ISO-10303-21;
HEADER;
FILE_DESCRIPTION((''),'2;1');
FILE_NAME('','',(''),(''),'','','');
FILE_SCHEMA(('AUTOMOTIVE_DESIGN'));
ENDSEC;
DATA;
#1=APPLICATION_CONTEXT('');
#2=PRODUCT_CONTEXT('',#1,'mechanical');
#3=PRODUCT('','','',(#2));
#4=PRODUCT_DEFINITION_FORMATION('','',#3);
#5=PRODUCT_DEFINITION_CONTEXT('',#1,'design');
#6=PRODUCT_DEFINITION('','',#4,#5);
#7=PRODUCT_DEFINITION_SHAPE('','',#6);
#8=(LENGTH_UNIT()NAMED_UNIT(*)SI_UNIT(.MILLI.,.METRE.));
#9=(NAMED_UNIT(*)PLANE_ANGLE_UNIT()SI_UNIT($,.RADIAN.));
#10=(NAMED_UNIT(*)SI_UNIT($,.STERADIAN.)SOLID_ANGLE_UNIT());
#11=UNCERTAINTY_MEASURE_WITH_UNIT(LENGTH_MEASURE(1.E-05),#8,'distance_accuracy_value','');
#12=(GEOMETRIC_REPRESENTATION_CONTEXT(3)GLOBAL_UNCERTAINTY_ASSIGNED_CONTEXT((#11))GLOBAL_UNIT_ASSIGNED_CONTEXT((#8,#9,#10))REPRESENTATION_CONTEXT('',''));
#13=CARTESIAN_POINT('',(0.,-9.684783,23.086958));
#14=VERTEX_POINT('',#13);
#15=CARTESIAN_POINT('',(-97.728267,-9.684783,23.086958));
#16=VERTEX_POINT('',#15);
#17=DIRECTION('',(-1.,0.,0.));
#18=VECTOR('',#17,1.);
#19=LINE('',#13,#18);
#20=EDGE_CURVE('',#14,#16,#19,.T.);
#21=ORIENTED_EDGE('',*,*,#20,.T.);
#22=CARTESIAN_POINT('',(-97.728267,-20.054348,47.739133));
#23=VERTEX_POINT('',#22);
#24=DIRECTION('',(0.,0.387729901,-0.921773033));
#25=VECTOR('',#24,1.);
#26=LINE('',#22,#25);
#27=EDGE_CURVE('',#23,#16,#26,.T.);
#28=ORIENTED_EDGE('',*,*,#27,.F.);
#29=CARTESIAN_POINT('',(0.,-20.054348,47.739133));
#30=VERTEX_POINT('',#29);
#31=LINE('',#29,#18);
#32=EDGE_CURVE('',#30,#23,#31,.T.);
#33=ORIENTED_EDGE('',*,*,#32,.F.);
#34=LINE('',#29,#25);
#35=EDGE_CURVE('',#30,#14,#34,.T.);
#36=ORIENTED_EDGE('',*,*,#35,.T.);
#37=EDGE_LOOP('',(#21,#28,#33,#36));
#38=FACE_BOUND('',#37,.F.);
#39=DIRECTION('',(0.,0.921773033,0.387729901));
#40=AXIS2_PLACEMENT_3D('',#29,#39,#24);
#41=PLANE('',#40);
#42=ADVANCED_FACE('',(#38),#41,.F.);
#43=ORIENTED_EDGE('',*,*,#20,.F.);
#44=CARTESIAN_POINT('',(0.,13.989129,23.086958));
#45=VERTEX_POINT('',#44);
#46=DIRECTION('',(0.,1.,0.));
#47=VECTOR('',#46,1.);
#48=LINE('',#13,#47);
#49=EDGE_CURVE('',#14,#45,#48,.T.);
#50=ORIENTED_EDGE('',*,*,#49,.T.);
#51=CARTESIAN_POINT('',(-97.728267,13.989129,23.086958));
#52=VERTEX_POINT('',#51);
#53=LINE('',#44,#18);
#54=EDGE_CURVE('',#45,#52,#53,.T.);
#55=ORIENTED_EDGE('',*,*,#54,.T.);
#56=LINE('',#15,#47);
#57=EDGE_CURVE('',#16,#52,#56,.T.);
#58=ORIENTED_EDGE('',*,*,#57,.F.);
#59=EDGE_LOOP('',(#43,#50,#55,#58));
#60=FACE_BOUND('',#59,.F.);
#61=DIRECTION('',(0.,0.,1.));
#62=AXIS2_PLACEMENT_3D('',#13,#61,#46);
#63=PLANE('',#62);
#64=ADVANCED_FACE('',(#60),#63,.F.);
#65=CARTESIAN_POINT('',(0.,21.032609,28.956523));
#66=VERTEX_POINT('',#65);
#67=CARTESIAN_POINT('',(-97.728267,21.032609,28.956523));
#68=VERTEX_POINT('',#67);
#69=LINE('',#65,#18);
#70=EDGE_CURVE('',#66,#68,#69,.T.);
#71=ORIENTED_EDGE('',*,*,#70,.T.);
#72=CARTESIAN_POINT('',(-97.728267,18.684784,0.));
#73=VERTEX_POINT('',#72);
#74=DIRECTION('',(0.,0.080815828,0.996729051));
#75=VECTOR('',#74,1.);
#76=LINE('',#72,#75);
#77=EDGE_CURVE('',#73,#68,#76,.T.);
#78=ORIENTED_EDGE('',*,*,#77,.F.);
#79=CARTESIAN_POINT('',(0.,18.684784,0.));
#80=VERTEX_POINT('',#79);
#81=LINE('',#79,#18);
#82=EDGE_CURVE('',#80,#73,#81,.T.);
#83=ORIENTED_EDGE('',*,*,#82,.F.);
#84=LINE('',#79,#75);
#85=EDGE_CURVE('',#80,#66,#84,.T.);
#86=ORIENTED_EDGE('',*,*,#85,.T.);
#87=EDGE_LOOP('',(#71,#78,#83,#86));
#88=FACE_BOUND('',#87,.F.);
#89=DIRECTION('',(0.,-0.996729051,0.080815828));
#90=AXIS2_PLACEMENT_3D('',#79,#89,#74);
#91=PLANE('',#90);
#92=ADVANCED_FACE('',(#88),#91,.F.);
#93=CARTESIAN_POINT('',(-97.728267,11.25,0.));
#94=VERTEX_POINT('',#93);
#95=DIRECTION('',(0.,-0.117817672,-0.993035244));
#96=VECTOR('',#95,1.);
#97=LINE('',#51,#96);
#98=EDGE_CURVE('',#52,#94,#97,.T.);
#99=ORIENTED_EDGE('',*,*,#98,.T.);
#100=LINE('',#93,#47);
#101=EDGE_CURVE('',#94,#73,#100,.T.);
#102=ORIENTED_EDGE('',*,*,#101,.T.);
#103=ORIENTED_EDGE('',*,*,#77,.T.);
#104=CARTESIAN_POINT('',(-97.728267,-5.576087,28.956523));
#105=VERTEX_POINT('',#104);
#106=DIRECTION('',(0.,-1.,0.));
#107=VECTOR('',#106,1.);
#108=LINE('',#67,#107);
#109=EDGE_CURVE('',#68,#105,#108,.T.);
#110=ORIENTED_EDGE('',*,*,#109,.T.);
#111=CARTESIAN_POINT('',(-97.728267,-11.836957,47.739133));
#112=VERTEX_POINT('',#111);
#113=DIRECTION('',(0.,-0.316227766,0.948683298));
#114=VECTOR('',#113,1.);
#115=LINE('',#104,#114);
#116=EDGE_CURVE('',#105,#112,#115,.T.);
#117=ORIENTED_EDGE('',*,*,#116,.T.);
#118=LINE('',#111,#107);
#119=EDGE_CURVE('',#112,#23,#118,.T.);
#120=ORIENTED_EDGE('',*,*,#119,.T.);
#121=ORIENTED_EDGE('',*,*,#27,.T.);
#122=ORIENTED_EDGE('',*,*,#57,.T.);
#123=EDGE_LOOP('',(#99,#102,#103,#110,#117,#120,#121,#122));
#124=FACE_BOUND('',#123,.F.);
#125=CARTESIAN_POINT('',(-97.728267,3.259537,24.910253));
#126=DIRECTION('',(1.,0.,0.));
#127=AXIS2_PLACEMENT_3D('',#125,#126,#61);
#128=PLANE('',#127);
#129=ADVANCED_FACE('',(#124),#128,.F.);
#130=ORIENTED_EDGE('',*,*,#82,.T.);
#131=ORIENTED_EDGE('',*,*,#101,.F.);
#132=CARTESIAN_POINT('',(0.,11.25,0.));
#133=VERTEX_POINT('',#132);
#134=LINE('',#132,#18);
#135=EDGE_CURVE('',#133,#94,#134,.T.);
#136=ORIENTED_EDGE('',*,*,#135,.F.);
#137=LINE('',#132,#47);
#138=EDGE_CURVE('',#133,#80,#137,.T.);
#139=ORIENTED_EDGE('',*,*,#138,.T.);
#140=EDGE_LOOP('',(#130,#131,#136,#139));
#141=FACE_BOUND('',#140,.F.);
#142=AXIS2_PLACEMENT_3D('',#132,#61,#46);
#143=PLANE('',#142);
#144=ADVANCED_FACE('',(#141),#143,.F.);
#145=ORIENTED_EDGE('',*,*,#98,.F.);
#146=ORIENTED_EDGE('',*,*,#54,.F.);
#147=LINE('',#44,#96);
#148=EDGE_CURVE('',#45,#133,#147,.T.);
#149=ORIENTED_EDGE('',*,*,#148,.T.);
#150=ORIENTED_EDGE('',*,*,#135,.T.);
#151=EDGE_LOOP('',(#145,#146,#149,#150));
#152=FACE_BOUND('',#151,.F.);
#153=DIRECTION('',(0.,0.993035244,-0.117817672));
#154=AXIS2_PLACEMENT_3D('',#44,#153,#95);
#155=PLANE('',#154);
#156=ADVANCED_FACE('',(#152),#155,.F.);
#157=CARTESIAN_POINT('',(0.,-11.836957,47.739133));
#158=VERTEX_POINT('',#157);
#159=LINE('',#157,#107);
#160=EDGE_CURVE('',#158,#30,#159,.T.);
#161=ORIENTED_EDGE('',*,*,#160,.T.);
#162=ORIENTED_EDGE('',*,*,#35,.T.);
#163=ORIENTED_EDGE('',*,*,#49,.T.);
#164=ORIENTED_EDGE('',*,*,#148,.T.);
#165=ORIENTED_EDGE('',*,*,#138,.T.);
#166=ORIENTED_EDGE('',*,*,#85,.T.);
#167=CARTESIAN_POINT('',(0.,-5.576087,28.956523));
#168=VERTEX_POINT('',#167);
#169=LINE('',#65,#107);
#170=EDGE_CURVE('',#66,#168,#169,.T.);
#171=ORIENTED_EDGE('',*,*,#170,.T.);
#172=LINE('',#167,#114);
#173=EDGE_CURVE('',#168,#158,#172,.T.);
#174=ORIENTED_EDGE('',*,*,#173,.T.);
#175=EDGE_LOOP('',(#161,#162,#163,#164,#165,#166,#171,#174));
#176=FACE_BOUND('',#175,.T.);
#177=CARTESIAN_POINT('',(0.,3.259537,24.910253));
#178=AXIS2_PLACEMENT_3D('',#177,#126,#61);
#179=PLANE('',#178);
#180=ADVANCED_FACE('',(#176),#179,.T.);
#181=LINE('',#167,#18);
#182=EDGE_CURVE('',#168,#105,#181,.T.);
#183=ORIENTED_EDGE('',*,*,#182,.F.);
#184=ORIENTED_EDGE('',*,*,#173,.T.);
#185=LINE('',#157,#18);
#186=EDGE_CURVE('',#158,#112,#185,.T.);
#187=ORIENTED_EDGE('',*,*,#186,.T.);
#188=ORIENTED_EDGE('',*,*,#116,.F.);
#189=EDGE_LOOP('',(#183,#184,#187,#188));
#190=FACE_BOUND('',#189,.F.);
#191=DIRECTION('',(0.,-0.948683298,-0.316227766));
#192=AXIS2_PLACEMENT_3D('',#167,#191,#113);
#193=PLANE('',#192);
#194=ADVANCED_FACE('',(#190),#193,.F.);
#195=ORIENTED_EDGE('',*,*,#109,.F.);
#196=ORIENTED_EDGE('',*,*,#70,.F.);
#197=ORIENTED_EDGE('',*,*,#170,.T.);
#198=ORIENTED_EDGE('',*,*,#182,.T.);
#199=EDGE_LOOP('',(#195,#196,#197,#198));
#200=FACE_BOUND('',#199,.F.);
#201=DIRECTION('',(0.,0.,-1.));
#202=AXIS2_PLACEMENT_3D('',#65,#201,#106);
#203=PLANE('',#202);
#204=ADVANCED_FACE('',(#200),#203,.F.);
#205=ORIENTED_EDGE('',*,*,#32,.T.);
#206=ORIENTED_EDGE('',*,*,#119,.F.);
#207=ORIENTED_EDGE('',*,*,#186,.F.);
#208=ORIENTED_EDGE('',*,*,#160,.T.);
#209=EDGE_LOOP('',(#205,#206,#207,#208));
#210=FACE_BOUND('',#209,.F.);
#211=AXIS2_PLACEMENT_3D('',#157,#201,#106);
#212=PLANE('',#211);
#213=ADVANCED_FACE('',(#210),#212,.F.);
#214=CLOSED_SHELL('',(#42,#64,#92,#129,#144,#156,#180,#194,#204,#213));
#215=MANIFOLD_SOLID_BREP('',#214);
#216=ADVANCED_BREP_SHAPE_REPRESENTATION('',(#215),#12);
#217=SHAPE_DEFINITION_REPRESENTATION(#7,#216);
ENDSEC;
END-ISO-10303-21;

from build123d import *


with BuildPart() as f2:
    # F2: sweep along a path in F1
    with BuildLine(Plane.XZ) as f2_path:
        Line((0, 48.130438), (-97.728267, 48.130438))
    # F0 (on Right) → F2 (sweep)
    with BuildSketch(Plane.YZ):
        Polygon((11.25, 0), (18.684784, 0), (21.032609, 28.956523), (-5.576087, 28.956523), (-11.836957, 47.739133), (-20.054348, 47.739133), (-9.684783, 23.086958), (13.989129, 23.086958), align=None)
    sweep(path=f2_path.line)


solid = f2.part
